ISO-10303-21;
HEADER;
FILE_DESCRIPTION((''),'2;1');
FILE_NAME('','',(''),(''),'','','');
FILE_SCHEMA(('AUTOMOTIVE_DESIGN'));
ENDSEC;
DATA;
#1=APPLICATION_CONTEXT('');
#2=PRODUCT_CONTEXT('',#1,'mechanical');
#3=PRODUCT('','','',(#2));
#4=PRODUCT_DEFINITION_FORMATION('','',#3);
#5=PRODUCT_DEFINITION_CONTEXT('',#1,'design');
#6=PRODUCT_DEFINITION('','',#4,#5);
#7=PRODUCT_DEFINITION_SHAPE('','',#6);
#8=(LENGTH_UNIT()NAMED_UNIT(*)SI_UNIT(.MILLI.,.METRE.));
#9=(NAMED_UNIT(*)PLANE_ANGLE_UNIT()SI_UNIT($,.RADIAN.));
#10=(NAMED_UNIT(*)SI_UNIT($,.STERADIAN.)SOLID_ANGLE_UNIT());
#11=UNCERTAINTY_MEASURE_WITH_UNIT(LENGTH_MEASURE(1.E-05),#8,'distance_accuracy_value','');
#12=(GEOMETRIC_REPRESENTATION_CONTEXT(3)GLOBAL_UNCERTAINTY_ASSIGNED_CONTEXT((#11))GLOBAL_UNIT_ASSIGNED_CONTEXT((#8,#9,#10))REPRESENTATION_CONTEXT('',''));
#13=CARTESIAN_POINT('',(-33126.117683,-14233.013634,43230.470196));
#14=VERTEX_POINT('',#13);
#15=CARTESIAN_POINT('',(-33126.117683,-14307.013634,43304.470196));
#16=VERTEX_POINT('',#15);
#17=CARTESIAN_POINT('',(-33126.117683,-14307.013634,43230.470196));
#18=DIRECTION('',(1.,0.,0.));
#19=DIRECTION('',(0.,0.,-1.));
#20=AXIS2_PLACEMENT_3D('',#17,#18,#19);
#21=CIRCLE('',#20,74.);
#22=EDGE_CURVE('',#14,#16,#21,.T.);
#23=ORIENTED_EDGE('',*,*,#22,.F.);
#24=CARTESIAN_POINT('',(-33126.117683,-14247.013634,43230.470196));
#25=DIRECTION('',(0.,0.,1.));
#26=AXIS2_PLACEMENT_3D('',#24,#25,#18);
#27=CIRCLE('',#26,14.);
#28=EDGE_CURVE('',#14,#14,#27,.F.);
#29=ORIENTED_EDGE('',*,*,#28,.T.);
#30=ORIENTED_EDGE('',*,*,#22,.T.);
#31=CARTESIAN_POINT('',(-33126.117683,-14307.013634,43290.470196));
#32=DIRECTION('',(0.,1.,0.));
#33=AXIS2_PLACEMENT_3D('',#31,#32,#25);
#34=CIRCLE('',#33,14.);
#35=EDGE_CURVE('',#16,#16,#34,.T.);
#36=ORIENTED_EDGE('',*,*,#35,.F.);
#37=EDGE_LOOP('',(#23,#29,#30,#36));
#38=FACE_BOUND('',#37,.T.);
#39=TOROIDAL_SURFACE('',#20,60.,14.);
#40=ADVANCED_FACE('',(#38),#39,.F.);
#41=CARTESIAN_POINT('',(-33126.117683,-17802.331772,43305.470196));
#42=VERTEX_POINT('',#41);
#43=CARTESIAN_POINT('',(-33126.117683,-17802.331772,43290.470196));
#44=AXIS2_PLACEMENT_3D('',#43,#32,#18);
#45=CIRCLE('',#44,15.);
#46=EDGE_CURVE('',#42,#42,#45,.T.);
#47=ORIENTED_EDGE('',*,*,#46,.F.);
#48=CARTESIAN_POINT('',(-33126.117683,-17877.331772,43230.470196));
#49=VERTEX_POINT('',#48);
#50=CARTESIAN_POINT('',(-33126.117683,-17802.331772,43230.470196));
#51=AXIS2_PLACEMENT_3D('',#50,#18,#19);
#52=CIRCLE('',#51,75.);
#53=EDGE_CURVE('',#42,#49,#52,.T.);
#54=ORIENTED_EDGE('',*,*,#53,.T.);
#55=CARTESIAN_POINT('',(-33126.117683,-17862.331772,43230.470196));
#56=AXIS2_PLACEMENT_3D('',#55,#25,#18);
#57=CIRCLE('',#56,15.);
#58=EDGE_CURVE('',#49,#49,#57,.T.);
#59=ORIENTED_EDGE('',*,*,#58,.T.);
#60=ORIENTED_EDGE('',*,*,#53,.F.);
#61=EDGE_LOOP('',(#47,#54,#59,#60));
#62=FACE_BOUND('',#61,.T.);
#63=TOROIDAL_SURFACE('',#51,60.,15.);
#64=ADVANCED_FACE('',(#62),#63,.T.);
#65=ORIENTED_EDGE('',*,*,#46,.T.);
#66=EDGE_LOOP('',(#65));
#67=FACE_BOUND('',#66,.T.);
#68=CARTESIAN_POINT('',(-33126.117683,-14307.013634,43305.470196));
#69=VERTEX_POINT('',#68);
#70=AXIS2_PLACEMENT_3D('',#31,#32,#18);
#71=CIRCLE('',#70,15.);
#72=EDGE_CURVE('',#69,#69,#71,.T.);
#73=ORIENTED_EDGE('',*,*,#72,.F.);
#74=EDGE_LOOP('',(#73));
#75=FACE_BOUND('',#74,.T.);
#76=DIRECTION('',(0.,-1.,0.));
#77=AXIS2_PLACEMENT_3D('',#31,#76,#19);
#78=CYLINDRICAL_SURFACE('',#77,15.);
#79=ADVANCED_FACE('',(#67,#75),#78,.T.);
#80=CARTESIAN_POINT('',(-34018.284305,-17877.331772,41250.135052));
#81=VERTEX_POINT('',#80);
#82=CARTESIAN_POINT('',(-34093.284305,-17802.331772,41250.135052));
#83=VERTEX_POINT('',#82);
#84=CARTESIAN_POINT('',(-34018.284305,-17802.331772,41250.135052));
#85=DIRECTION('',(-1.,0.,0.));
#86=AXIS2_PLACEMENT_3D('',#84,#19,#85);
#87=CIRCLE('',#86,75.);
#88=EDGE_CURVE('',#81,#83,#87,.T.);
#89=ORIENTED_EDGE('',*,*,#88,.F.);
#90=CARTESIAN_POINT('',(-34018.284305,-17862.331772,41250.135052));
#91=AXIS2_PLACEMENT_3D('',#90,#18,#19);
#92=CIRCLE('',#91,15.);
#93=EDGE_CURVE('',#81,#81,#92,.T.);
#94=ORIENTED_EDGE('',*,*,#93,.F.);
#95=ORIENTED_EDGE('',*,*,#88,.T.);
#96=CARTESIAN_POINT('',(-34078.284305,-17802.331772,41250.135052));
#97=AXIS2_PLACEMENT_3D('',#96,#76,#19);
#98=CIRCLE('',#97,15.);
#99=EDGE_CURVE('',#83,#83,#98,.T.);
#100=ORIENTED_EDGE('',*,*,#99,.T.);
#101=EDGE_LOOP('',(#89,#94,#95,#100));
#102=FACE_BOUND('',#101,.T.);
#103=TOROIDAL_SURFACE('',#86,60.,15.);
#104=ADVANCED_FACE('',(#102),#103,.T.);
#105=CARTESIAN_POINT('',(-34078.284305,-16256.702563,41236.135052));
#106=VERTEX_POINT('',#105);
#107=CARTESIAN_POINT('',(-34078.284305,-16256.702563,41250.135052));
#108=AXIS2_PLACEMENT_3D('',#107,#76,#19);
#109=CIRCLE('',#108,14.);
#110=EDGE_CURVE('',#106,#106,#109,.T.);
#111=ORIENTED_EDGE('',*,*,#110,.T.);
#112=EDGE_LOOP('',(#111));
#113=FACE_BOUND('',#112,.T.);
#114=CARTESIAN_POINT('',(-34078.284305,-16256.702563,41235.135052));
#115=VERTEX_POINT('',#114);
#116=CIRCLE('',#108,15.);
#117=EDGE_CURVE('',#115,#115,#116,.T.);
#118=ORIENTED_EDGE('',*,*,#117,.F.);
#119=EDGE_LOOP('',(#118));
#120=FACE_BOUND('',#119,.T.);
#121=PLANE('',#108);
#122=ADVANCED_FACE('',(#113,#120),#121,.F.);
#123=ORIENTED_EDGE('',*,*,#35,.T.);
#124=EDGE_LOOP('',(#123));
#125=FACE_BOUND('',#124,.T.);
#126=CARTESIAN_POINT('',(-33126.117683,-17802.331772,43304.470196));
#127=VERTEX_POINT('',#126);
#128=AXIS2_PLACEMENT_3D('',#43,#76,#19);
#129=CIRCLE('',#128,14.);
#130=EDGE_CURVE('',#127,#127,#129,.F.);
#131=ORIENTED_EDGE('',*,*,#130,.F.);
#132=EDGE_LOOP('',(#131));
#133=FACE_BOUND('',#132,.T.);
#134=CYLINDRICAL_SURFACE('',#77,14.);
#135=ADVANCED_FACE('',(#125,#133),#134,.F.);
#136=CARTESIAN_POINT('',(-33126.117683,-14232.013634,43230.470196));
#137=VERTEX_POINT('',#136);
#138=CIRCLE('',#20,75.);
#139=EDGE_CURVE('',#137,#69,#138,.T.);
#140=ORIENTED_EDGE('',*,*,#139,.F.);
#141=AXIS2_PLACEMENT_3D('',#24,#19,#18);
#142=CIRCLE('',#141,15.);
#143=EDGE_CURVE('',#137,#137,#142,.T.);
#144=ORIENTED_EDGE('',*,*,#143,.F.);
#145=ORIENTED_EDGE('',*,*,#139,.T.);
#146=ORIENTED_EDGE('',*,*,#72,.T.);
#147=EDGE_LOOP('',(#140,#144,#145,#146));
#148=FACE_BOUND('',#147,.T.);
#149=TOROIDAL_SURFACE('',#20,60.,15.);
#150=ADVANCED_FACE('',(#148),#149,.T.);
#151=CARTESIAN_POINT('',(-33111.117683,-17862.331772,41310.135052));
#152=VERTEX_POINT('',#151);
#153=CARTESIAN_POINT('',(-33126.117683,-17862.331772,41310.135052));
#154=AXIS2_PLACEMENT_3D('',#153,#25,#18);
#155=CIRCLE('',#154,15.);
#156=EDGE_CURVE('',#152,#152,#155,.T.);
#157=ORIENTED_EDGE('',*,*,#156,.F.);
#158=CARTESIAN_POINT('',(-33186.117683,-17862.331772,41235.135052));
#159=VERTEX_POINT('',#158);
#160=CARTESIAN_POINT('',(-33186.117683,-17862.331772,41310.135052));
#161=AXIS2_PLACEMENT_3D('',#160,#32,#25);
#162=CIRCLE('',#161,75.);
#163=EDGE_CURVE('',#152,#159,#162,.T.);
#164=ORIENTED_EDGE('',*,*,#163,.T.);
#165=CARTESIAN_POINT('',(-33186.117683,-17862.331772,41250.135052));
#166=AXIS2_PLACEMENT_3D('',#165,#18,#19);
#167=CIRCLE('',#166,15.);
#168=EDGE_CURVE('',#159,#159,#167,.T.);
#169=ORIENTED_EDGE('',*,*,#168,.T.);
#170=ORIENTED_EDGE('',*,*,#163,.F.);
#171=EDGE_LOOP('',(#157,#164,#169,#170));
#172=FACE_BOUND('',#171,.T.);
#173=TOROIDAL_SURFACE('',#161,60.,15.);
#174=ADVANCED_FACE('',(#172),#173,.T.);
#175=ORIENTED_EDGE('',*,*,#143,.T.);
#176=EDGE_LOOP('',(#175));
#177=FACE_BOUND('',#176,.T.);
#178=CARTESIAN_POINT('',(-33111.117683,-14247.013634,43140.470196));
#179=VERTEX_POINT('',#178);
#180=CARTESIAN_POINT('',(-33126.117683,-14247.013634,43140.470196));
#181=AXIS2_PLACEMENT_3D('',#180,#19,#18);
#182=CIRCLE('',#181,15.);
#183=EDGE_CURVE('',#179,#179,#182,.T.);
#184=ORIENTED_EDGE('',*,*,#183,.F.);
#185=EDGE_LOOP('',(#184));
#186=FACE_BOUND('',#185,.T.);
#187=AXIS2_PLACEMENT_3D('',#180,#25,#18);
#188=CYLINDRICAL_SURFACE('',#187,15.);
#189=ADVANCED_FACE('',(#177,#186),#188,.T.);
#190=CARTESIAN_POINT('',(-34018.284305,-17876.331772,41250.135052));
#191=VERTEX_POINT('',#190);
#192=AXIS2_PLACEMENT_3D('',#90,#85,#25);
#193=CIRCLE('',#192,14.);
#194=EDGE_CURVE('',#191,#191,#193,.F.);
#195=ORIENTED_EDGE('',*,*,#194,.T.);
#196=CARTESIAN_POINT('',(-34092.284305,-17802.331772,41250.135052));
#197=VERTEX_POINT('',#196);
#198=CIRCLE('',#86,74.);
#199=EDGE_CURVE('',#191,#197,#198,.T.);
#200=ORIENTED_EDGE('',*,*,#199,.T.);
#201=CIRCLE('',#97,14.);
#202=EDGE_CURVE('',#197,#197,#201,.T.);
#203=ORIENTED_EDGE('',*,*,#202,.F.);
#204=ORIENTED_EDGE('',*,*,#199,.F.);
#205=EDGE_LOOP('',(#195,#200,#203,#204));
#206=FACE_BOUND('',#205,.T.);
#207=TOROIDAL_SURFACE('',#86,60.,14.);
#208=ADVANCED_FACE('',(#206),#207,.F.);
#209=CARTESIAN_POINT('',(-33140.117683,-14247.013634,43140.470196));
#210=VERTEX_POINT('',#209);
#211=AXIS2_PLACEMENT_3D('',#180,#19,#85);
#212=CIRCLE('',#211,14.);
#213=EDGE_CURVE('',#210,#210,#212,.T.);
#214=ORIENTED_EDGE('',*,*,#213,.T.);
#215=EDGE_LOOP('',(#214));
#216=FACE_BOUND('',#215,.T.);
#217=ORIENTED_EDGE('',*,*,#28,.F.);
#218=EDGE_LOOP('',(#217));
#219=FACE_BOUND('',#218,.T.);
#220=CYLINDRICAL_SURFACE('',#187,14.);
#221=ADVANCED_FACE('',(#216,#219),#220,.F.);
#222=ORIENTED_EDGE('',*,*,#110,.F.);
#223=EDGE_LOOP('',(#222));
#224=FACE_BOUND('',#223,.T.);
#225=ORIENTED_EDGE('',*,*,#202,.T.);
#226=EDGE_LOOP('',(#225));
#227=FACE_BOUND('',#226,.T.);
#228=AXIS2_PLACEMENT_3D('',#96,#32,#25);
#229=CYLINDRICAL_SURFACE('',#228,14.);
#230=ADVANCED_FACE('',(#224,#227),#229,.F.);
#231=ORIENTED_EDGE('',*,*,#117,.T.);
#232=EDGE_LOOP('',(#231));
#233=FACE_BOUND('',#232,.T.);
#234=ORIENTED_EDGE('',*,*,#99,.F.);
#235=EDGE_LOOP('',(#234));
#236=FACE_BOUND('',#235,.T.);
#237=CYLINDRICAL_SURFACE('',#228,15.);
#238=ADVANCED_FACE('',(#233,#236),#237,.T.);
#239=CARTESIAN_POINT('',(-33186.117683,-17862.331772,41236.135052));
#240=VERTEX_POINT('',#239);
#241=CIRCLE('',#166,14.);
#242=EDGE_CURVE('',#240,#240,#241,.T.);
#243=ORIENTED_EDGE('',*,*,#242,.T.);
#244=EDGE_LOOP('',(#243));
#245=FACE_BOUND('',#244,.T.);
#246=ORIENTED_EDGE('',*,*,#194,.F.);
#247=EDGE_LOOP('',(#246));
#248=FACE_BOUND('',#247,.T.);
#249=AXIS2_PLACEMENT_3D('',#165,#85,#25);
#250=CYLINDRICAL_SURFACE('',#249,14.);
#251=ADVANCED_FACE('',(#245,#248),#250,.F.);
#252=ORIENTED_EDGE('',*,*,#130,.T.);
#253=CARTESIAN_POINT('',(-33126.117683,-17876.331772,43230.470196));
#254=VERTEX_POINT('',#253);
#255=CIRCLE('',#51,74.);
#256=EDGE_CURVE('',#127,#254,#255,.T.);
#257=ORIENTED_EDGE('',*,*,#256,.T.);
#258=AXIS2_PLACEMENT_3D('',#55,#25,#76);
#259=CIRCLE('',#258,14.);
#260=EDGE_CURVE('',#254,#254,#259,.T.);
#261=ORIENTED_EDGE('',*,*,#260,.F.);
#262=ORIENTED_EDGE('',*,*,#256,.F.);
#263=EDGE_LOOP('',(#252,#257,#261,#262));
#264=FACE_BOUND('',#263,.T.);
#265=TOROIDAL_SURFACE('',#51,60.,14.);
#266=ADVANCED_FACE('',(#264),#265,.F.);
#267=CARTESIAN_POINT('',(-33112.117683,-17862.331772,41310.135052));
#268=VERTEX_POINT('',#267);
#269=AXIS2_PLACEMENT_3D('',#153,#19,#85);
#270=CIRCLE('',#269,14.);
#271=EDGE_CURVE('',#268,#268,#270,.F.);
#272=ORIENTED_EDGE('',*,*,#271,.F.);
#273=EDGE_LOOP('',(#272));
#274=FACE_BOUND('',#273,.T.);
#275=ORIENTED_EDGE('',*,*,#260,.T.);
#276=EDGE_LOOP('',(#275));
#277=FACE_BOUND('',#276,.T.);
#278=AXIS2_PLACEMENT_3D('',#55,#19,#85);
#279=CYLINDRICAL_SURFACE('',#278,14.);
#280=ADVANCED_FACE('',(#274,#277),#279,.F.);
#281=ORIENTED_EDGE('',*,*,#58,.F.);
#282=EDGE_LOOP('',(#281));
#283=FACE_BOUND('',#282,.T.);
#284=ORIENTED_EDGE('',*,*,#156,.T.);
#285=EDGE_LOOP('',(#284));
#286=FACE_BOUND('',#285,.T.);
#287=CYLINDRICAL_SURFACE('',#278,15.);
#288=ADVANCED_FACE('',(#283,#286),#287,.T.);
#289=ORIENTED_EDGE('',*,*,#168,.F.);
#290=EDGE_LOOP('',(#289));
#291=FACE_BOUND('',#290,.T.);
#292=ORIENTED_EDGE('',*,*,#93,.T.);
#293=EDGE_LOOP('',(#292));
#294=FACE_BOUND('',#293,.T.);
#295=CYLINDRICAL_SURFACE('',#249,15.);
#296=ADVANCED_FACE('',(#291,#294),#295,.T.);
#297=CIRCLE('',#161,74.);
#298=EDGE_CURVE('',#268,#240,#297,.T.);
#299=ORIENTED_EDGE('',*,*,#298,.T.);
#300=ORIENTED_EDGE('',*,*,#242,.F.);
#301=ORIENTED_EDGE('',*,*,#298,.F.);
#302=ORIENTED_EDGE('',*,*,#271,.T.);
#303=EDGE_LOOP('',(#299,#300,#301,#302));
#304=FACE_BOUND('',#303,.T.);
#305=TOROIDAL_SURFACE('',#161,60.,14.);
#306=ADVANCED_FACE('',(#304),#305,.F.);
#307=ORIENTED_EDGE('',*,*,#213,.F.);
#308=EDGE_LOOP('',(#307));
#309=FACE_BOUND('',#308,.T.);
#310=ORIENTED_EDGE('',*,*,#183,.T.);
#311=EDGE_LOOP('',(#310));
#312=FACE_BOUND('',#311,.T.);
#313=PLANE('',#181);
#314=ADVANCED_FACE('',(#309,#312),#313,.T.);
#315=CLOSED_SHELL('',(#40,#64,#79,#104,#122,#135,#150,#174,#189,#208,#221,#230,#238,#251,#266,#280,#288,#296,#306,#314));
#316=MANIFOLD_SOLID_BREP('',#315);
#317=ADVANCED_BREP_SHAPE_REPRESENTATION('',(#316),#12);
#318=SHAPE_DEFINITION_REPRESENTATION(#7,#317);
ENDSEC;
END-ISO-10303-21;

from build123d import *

# Parameters (mm, degrees)
SWEEP_THIN1_PROFILE_R   = 15
SWEEP_THIN1_PROFILE_R_2 = 14


with BuildPart() as part:
    # Sweep-Thin1: sweep along a curve in space
    with BuildLine() as sweep_thin1_path:
        Line((-33126.117683292, -14247.013633934, 43140.470196057), (-33126.117683292, -14247.013633934, 43230.470196057))
        ThreePointArc((-33126.117683292, -14307.013633934, 43290.470196057), (-33126.117683292, -14264.587227063, 43272.896602928), (-33126.117683292, -14247.013633934, 43230.470196057))
        Line((-33126.117683292, -14307.013633934, 43290.470196057), (-33126.117683292, -17802.331772457, 43290.470196057))
        ThreePointArc((-33126.117683292, -17862.331772457, 43230.470196057), (-33126.117683292, -17844.758179328, 43272.896602928), (-33126.117683292, -17802.331772457, 43290.470196057))
        Line((-33126.117683292, -17862.331772457, 43230.470196057), (-33126.117683292, -17862.331772457, 41310.135051864))
        ThreePointArc((-33186.117683292, -17862.331772457, 41250.135051864), (-33143.69127642, -17862.331772457, 41267.708644993), (-33126.117683292, -17862.331772457, 41310.135051864))
        Line((-33186.117683292, -17862.331772457, 41250.135051864), (-34018.284305403, -17862.331772457, 41250.135051864))
        ThreePointArc((-34078.284305403, -17802.331772457, 41250.135051864), (-34060.710712274, -17844.758179328, 41250.135051864), (-34018.284305403, -17862.331772457, 41250.135051864))
        Line((-34078.284305403, -17802.331772457, 41250.135051864), (-34078.284305403, -16256.702563295, 41250.135051864))
    # Sweep-Thin1 profile (on start of the path) → Sweep-Thin1 (sweep)
    with BuildSketch(Plane(origin=(-33126.117683292, -14247.013633934, 43140.470196057), x_dir=(1, 0, 0), z_dir=(0, 0, 1))):
        Circle(SWEEP_THIN1_PROFILE_R)
        Circle(SWEEP_THIN1_PROFILE_R_2, mode=Mode.SUBTRACT)
    sweep(path=sweep_thin1_path.line)


solid = part.part
